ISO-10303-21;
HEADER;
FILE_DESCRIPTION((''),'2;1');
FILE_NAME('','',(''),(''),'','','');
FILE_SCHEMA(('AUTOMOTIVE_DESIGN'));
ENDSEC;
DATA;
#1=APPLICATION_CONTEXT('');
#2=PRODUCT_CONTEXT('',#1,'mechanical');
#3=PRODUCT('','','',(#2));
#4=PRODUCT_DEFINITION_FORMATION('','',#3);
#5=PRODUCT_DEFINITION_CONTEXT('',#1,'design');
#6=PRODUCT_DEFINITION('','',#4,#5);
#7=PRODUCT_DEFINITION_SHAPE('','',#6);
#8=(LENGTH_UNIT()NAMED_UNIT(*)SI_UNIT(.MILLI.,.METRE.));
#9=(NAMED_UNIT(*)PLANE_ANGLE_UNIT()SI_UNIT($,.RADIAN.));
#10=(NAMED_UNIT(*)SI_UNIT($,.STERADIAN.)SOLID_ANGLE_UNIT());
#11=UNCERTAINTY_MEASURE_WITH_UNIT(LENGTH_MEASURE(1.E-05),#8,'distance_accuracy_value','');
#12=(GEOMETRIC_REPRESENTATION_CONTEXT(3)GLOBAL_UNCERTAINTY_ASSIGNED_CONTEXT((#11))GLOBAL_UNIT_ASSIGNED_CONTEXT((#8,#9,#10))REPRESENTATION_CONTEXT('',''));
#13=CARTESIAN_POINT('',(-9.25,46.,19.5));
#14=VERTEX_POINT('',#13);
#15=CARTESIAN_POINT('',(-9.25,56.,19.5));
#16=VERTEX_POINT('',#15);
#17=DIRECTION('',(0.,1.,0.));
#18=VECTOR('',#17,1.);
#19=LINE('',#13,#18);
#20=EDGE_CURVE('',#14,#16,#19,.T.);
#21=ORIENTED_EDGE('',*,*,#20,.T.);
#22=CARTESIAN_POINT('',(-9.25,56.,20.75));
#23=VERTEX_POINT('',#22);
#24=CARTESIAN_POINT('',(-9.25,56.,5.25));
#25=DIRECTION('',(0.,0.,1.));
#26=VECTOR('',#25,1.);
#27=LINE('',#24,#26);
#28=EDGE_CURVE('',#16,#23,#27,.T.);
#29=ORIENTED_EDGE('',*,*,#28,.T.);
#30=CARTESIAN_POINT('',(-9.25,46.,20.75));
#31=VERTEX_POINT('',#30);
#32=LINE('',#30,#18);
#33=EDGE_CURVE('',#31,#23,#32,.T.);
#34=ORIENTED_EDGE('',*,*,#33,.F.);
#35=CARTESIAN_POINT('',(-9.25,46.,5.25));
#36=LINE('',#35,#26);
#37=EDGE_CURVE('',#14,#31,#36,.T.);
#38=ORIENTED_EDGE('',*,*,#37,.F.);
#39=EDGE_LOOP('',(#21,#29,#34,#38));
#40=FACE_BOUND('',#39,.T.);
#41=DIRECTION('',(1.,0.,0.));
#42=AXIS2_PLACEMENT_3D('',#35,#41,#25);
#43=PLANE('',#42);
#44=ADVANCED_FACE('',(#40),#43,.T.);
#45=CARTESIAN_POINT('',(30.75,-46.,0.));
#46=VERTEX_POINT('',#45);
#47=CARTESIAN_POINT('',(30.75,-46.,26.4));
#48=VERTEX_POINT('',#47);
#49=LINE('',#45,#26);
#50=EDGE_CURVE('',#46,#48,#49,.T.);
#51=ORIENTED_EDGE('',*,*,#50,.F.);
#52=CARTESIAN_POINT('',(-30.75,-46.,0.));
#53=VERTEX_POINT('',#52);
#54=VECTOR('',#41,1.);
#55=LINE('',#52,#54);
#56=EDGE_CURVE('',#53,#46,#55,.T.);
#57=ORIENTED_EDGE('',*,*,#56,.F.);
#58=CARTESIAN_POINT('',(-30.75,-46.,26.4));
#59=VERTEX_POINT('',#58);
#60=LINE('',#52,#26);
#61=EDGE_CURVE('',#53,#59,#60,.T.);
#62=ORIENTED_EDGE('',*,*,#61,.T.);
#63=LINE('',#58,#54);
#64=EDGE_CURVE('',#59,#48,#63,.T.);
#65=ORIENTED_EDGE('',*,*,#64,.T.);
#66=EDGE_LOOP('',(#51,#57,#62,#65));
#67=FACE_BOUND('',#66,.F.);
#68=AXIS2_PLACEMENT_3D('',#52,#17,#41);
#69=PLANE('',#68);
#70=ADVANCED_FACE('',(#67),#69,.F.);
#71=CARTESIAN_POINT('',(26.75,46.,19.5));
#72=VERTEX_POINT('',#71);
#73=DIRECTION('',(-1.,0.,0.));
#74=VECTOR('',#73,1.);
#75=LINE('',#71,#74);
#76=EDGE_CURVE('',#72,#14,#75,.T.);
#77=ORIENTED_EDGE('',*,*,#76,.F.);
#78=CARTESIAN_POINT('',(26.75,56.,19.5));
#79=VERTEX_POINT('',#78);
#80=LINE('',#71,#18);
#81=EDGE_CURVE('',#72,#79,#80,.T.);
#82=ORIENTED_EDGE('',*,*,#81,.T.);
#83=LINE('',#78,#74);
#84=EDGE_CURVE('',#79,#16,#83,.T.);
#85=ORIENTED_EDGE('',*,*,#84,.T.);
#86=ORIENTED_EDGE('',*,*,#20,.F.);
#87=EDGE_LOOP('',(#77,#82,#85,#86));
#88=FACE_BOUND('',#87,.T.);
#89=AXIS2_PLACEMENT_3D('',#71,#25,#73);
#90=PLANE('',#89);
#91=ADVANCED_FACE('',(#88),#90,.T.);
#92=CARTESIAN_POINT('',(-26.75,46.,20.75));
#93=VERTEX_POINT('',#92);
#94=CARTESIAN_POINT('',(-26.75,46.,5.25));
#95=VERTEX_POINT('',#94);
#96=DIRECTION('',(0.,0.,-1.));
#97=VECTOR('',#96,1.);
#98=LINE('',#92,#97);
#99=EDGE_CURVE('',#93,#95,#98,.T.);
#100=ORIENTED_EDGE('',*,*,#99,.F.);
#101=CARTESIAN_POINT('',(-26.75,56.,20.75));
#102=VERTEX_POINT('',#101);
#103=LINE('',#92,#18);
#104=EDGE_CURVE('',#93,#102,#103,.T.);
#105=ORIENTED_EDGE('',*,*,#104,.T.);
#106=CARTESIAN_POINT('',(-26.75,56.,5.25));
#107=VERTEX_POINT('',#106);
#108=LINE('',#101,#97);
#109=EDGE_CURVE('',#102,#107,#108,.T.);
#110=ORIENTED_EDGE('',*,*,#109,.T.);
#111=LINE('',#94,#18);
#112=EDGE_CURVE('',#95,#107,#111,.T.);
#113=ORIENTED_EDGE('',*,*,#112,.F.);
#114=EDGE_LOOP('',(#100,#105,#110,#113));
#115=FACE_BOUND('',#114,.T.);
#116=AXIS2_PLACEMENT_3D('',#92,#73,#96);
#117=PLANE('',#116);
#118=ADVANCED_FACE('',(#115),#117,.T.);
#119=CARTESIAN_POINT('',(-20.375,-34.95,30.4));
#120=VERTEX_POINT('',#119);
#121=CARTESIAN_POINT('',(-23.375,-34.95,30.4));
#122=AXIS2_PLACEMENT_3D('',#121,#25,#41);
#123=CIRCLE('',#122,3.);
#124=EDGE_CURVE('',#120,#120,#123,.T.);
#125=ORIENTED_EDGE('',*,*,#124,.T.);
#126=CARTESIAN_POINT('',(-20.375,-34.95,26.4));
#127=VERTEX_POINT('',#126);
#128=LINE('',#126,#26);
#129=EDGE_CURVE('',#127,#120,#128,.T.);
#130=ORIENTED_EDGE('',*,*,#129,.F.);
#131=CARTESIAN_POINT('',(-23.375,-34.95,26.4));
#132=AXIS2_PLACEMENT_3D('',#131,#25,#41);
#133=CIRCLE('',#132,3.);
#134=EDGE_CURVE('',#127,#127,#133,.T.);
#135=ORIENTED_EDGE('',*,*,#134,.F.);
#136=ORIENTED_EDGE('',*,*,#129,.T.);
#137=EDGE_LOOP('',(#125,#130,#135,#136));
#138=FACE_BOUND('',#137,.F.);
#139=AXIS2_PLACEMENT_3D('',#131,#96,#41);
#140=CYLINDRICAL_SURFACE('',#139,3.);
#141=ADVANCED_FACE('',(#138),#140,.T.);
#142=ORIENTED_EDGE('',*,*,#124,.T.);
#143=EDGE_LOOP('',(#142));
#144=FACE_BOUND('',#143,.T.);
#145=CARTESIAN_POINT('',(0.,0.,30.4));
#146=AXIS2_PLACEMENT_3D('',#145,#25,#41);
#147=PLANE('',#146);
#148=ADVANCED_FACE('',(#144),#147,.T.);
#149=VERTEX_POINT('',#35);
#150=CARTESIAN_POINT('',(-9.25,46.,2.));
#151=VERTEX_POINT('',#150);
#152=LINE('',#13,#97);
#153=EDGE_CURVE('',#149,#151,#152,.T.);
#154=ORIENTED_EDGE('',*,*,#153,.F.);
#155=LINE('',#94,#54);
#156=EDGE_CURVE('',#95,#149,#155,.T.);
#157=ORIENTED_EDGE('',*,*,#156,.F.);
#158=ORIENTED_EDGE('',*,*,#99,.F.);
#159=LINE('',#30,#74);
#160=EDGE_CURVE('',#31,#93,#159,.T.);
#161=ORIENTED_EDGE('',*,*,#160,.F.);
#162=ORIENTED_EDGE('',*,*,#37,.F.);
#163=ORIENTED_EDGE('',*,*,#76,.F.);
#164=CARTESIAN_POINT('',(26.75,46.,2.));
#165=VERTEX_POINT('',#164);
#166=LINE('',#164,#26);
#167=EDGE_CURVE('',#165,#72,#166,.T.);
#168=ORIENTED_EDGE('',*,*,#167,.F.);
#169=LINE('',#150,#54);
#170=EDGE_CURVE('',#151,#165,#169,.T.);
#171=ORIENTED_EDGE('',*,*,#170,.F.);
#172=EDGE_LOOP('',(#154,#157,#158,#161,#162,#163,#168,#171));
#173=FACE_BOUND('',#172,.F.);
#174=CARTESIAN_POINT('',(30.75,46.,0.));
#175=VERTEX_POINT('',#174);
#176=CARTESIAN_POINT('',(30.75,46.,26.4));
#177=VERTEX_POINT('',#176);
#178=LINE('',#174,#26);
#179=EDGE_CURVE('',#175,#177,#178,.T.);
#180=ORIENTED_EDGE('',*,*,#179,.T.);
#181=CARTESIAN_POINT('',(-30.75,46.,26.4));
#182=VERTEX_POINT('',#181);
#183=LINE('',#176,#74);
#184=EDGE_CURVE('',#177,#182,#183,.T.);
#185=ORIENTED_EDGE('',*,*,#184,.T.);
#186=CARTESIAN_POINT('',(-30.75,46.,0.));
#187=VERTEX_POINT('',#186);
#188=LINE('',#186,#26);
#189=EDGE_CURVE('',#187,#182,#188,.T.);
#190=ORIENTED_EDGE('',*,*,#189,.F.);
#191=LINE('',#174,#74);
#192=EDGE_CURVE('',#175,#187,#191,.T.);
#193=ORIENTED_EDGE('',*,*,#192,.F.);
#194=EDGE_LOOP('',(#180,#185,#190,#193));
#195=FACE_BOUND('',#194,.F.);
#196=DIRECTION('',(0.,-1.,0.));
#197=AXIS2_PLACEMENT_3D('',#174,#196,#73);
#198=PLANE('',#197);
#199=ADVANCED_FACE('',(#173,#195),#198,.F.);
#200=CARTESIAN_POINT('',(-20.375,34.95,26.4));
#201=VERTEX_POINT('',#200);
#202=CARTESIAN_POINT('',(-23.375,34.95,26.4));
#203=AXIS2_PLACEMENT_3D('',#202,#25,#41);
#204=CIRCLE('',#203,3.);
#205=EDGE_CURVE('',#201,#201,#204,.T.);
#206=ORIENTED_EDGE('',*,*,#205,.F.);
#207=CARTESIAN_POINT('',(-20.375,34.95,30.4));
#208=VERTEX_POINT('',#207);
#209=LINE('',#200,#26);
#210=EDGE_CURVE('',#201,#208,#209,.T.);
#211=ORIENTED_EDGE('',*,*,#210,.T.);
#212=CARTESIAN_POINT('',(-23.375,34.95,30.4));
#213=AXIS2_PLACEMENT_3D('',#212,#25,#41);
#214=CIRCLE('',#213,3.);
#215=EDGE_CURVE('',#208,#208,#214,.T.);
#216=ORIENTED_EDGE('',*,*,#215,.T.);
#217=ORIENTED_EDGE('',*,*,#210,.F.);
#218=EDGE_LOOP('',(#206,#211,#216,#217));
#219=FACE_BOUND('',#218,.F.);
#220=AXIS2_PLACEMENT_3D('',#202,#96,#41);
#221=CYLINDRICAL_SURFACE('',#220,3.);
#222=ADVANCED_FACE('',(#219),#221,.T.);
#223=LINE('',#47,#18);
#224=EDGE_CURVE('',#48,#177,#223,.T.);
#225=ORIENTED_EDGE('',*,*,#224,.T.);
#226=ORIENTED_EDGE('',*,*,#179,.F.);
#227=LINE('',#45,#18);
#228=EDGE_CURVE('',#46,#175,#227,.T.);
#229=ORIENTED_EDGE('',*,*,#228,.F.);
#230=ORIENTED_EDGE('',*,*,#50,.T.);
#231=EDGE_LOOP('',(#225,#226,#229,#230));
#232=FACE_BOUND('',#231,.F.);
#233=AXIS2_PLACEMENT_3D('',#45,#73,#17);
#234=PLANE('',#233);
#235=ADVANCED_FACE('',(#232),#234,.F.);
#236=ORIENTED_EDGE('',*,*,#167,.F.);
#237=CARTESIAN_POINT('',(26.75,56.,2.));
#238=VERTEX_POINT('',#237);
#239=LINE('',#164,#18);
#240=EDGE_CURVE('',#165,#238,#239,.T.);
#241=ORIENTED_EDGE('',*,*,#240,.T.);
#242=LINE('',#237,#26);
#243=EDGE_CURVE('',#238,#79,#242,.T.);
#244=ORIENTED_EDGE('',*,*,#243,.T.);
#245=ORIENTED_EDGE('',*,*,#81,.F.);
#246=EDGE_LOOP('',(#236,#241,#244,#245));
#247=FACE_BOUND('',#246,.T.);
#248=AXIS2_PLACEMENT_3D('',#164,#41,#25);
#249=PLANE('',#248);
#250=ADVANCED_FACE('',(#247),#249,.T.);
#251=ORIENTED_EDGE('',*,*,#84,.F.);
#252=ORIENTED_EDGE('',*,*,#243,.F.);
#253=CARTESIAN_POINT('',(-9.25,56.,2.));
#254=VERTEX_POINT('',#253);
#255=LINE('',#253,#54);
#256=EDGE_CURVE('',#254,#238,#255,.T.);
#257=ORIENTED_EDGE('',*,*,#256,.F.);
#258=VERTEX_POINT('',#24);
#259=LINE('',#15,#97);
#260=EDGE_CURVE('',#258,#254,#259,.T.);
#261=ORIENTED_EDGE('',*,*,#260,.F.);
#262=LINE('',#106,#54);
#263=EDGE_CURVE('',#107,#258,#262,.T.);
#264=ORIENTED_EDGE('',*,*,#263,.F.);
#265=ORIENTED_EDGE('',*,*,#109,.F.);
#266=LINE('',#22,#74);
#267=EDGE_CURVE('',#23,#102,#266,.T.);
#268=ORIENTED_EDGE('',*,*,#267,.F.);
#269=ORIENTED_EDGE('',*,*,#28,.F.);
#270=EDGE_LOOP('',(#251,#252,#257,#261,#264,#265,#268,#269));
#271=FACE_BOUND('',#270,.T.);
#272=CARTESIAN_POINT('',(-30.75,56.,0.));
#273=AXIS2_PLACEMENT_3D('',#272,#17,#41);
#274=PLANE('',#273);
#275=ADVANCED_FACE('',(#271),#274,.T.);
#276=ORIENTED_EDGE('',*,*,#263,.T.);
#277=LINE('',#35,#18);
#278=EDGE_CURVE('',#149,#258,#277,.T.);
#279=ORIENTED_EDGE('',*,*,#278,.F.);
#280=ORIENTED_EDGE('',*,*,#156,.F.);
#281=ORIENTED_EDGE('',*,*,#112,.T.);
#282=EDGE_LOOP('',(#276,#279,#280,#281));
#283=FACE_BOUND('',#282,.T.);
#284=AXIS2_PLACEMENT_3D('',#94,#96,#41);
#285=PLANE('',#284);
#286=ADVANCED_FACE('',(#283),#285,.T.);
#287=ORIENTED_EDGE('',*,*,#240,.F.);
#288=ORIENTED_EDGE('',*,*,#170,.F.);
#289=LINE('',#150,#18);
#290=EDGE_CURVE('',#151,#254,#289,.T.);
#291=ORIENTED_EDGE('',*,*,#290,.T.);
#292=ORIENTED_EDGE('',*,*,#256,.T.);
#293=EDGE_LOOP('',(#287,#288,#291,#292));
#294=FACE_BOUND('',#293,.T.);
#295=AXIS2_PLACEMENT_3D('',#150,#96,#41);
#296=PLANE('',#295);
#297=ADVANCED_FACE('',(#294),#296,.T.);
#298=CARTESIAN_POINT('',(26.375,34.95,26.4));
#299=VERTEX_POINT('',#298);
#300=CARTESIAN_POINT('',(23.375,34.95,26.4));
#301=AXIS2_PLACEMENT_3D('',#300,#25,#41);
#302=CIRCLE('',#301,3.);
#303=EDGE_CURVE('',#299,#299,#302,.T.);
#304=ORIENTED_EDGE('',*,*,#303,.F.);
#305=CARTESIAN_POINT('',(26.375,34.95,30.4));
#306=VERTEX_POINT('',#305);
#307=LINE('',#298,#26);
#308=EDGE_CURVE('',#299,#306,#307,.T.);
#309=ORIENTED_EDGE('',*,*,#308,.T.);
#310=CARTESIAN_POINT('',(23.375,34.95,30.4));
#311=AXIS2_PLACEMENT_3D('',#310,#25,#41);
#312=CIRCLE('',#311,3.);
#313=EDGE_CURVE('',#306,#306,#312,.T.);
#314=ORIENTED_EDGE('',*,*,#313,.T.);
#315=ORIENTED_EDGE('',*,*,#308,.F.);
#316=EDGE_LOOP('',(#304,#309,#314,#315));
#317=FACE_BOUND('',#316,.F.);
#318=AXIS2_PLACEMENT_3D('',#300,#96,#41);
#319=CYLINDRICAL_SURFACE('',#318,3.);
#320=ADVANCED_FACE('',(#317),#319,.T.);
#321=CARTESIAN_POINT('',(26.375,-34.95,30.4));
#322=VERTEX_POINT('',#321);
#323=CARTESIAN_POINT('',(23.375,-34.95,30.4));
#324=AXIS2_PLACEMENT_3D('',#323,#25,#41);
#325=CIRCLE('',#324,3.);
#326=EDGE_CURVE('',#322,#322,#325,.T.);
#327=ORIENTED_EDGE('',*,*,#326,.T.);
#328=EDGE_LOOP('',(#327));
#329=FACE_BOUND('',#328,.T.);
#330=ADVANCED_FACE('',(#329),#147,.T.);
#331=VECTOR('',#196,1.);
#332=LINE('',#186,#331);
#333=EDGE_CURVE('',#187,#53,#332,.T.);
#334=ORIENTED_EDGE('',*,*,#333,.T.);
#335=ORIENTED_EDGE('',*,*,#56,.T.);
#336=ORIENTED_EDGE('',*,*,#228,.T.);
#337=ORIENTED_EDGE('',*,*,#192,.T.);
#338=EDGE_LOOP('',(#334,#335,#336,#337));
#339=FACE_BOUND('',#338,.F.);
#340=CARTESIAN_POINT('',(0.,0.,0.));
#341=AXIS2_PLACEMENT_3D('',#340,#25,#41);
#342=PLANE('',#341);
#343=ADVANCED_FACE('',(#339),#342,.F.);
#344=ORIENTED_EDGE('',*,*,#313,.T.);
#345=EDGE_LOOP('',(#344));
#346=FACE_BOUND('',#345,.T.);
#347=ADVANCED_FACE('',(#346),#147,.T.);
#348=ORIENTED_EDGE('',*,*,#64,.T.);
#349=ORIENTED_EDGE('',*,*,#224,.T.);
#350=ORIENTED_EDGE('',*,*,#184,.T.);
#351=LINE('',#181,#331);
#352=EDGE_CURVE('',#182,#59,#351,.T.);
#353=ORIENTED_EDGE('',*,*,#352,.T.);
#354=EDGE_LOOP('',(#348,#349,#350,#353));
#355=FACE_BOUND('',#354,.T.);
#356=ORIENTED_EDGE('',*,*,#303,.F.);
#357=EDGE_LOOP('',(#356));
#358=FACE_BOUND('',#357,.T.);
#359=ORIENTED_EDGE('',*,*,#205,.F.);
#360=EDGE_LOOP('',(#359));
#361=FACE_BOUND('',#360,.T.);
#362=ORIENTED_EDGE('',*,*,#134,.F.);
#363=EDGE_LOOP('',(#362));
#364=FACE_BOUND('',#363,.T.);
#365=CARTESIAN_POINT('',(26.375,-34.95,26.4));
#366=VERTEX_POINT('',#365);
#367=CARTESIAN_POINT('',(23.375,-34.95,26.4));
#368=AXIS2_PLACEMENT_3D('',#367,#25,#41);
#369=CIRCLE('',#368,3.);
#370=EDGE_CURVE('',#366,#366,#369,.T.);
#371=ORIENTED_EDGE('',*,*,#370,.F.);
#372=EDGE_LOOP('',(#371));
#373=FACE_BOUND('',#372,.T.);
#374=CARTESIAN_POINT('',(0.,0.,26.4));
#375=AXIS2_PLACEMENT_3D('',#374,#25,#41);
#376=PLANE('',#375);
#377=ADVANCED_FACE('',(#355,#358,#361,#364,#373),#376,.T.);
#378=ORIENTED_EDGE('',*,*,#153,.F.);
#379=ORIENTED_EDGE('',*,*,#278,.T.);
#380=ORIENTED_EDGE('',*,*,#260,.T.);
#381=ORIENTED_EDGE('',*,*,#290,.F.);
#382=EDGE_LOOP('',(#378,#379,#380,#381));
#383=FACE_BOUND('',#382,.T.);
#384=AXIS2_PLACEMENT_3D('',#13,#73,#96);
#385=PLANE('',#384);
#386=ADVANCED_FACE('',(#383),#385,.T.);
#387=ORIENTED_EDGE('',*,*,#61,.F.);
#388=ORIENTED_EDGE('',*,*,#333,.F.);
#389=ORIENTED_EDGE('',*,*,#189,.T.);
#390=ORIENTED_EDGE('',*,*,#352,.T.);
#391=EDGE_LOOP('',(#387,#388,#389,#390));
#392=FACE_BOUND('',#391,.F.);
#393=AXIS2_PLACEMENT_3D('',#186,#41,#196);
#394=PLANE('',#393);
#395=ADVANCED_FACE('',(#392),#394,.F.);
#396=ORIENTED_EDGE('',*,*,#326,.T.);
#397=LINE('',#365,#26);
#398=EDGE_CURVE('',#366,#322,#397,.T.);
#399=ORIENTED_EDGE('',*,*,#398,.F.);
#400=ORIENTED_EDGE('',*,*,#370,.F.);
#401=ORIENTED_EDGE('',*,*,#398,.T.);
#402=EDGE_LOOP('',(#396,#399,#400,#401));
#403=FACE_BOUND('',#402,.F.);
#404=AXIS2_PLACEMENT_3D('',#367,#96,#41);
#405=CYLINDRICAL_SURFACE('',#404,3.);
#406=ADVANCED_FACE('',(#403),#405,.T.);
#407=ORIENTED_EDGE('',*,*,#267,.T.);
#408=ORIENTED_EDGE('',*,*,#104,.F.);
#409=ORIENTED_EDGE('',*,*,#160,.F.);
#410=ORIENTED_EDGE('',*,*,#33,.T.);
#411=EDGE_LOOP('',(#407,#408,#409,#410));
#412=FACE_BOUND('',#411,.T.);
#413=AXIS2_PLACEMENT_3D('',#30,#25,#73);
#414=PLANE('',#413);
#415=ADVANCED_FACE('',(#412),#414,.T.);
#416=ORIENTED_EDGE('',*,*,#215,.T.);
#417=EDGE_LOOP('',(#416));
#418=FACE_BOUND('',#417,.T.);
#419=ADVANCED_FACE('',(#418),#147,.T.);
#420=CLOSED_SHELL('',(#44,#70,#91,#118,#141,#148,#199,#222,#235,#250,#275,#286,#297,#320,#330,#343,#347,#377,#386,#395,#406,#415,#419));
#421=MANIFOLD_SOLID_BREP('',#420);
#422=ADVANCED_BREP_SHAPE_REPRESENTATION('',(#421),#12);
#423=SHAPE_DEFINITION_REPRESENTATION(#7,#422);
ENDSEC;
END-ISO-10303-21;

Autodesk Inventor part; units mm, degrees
ref_plane "YZ Plane" through (0, 0, 0) normal (1, 0, 0) x (0, 1, 0)
ref_plane "XZ Plane" through (0, 0, 0) normal (0, 1, 0) x (-1, 0, 0)
ref_plane "XY Plane" through (0, 0, 0) normal (0, 0, 1) x (1, 0, 0)
sketch "Sketch1" plane through (0, 0, 0) normal (0, 0, 1) x (1, 0, 0)
  line L0 (-30.75, -46) -> (30.75, -46)
  line L1 (30.75, -46) -> (30.75, 46)
  line L2 (30.75, 46) -> (-30.75, 46)
  line L3 (-30.75, 46) -> (-30.75, -46)
  line L4 (-30.75, -46) -> (30.75, 46) construction
  line L5 (30.75, -46) -> (-30.75, 46) construction
  point P0 (0, 0)
  dimension "d0" = 92
  dimension "d1" = 61.5
extrude "Extrusion1" add sketch "Sketch1" along normal blind 26.4
sketch "Sketch3" plane through (0, 0, 26.4) normal (0, 0, 1) x (1, 0, 0)
  line L0 (-23.375, -34.95) -> (23.375, -34.95) construction
  line L1 (23.375, -34.95) -> (23.375, 34.95) construction
  line L2 (23.375, 34.95) -> (-23.375, 34.95) construction
  line L3 (-23.375, 34.95) -> (-23.375, -34.95) construction
  line L4 (-23.375, -34.95) -> (23.375, 34.95) construction
  line L5 (23.375, -34.95) -> (-23.375, 34.95) construction
  circle A0 centre (-23.375, -34.95) radius 3
  circle A1 centre (23.375, -34.95) radius 3
  circle A2 centre (23.375, 34.95) radius 3
  circle A3 centre (-23.375, 34.95) radius 3
  point P0 (0, 0)
  dimension "d5" = 46.75
  dimension "d6" = 69.9
  dimension "d7" = 6
extrude "Extrusion2" add sketch "Sketch3" along normal blind 4
sketch "Sketch4" plane through (-30.75, 46, 0) normal (0, 1, 0) x (1, 0, 0)
  line L0 (0.1106, -5.25) -> (61.5, -5.25) construction
  line L1 (61.5, 0) -> (61.5, -26.4) construction
  line L2 (61.5, 0) -> (0, 0) construction
  line L3 (0, 0) -> (61.5, 0) construction
  line L4 (4, 0) -> (4, -26.4) construction
  line L5 (61.5, -26.4) -> (0, -26.4) construction
  line L6 (0, 0) -> (0, -26.4) construction
  line L7 (4, -5.25) -> (21.5, -5.25)
  line L8 (21.5, -5.25) -> (21.5, -20.75)
  line L9 (21.5, -20.75) -> (4, -20.75)
  line L10 (4, -20.75) -> (4, -5.25)
  point P0 (30.75, 0)
  dimension "d10" = 5.25
  dimension "d11" = 4
  dimension "d12" = 15.5
  dimension "d13" = 17.5
extrude "Extrusion3" add sketch "Sketch4" along normal blind 10
sketch "Sketch5" plane through (-30.75, 46, 0) normal (0, 1, 0) x (1, 0, 0)
  line L0 (57.5, 0) -> (57.5, -26.4) construction
  line L1 (61.5, -26.4) -> (0, -26.4) construction
  line L2 (61.5, 0) -> (61.5, -26.4) construction
  line L3 (61.5, 0) -> (0, 0) construction
  line L4 (21.5, 0) -> (21.5, -26.4) construction
  line L5 (21.5, -2) -> (57.5, -2) construction
  line L6 (21.5, -5.25) -> (21.5, -20.75) construction
  line L7 (21.5, -19.5) -> (57.5, -19.5) construction
  line L8 (21.5, -2) -> (57.5, -2)
  line L9 (57.5, -2) -> (57.5, -19.5)
  line L10 (57.5, -19.5) -> (21.5, -19.5)
  line L11 (21.5, -19.5) -> (21.5, -2)
  point P0 (30.75, 0)
  dimension "d16" = 4
  dimension "d17" = 40
  dimension "d18" = 2
  dimension "d19" = 19.5
extrude "Extrusion4" add sketch "Sketch5" along normal blind 10
properties part number "Vilros Pi Case"
